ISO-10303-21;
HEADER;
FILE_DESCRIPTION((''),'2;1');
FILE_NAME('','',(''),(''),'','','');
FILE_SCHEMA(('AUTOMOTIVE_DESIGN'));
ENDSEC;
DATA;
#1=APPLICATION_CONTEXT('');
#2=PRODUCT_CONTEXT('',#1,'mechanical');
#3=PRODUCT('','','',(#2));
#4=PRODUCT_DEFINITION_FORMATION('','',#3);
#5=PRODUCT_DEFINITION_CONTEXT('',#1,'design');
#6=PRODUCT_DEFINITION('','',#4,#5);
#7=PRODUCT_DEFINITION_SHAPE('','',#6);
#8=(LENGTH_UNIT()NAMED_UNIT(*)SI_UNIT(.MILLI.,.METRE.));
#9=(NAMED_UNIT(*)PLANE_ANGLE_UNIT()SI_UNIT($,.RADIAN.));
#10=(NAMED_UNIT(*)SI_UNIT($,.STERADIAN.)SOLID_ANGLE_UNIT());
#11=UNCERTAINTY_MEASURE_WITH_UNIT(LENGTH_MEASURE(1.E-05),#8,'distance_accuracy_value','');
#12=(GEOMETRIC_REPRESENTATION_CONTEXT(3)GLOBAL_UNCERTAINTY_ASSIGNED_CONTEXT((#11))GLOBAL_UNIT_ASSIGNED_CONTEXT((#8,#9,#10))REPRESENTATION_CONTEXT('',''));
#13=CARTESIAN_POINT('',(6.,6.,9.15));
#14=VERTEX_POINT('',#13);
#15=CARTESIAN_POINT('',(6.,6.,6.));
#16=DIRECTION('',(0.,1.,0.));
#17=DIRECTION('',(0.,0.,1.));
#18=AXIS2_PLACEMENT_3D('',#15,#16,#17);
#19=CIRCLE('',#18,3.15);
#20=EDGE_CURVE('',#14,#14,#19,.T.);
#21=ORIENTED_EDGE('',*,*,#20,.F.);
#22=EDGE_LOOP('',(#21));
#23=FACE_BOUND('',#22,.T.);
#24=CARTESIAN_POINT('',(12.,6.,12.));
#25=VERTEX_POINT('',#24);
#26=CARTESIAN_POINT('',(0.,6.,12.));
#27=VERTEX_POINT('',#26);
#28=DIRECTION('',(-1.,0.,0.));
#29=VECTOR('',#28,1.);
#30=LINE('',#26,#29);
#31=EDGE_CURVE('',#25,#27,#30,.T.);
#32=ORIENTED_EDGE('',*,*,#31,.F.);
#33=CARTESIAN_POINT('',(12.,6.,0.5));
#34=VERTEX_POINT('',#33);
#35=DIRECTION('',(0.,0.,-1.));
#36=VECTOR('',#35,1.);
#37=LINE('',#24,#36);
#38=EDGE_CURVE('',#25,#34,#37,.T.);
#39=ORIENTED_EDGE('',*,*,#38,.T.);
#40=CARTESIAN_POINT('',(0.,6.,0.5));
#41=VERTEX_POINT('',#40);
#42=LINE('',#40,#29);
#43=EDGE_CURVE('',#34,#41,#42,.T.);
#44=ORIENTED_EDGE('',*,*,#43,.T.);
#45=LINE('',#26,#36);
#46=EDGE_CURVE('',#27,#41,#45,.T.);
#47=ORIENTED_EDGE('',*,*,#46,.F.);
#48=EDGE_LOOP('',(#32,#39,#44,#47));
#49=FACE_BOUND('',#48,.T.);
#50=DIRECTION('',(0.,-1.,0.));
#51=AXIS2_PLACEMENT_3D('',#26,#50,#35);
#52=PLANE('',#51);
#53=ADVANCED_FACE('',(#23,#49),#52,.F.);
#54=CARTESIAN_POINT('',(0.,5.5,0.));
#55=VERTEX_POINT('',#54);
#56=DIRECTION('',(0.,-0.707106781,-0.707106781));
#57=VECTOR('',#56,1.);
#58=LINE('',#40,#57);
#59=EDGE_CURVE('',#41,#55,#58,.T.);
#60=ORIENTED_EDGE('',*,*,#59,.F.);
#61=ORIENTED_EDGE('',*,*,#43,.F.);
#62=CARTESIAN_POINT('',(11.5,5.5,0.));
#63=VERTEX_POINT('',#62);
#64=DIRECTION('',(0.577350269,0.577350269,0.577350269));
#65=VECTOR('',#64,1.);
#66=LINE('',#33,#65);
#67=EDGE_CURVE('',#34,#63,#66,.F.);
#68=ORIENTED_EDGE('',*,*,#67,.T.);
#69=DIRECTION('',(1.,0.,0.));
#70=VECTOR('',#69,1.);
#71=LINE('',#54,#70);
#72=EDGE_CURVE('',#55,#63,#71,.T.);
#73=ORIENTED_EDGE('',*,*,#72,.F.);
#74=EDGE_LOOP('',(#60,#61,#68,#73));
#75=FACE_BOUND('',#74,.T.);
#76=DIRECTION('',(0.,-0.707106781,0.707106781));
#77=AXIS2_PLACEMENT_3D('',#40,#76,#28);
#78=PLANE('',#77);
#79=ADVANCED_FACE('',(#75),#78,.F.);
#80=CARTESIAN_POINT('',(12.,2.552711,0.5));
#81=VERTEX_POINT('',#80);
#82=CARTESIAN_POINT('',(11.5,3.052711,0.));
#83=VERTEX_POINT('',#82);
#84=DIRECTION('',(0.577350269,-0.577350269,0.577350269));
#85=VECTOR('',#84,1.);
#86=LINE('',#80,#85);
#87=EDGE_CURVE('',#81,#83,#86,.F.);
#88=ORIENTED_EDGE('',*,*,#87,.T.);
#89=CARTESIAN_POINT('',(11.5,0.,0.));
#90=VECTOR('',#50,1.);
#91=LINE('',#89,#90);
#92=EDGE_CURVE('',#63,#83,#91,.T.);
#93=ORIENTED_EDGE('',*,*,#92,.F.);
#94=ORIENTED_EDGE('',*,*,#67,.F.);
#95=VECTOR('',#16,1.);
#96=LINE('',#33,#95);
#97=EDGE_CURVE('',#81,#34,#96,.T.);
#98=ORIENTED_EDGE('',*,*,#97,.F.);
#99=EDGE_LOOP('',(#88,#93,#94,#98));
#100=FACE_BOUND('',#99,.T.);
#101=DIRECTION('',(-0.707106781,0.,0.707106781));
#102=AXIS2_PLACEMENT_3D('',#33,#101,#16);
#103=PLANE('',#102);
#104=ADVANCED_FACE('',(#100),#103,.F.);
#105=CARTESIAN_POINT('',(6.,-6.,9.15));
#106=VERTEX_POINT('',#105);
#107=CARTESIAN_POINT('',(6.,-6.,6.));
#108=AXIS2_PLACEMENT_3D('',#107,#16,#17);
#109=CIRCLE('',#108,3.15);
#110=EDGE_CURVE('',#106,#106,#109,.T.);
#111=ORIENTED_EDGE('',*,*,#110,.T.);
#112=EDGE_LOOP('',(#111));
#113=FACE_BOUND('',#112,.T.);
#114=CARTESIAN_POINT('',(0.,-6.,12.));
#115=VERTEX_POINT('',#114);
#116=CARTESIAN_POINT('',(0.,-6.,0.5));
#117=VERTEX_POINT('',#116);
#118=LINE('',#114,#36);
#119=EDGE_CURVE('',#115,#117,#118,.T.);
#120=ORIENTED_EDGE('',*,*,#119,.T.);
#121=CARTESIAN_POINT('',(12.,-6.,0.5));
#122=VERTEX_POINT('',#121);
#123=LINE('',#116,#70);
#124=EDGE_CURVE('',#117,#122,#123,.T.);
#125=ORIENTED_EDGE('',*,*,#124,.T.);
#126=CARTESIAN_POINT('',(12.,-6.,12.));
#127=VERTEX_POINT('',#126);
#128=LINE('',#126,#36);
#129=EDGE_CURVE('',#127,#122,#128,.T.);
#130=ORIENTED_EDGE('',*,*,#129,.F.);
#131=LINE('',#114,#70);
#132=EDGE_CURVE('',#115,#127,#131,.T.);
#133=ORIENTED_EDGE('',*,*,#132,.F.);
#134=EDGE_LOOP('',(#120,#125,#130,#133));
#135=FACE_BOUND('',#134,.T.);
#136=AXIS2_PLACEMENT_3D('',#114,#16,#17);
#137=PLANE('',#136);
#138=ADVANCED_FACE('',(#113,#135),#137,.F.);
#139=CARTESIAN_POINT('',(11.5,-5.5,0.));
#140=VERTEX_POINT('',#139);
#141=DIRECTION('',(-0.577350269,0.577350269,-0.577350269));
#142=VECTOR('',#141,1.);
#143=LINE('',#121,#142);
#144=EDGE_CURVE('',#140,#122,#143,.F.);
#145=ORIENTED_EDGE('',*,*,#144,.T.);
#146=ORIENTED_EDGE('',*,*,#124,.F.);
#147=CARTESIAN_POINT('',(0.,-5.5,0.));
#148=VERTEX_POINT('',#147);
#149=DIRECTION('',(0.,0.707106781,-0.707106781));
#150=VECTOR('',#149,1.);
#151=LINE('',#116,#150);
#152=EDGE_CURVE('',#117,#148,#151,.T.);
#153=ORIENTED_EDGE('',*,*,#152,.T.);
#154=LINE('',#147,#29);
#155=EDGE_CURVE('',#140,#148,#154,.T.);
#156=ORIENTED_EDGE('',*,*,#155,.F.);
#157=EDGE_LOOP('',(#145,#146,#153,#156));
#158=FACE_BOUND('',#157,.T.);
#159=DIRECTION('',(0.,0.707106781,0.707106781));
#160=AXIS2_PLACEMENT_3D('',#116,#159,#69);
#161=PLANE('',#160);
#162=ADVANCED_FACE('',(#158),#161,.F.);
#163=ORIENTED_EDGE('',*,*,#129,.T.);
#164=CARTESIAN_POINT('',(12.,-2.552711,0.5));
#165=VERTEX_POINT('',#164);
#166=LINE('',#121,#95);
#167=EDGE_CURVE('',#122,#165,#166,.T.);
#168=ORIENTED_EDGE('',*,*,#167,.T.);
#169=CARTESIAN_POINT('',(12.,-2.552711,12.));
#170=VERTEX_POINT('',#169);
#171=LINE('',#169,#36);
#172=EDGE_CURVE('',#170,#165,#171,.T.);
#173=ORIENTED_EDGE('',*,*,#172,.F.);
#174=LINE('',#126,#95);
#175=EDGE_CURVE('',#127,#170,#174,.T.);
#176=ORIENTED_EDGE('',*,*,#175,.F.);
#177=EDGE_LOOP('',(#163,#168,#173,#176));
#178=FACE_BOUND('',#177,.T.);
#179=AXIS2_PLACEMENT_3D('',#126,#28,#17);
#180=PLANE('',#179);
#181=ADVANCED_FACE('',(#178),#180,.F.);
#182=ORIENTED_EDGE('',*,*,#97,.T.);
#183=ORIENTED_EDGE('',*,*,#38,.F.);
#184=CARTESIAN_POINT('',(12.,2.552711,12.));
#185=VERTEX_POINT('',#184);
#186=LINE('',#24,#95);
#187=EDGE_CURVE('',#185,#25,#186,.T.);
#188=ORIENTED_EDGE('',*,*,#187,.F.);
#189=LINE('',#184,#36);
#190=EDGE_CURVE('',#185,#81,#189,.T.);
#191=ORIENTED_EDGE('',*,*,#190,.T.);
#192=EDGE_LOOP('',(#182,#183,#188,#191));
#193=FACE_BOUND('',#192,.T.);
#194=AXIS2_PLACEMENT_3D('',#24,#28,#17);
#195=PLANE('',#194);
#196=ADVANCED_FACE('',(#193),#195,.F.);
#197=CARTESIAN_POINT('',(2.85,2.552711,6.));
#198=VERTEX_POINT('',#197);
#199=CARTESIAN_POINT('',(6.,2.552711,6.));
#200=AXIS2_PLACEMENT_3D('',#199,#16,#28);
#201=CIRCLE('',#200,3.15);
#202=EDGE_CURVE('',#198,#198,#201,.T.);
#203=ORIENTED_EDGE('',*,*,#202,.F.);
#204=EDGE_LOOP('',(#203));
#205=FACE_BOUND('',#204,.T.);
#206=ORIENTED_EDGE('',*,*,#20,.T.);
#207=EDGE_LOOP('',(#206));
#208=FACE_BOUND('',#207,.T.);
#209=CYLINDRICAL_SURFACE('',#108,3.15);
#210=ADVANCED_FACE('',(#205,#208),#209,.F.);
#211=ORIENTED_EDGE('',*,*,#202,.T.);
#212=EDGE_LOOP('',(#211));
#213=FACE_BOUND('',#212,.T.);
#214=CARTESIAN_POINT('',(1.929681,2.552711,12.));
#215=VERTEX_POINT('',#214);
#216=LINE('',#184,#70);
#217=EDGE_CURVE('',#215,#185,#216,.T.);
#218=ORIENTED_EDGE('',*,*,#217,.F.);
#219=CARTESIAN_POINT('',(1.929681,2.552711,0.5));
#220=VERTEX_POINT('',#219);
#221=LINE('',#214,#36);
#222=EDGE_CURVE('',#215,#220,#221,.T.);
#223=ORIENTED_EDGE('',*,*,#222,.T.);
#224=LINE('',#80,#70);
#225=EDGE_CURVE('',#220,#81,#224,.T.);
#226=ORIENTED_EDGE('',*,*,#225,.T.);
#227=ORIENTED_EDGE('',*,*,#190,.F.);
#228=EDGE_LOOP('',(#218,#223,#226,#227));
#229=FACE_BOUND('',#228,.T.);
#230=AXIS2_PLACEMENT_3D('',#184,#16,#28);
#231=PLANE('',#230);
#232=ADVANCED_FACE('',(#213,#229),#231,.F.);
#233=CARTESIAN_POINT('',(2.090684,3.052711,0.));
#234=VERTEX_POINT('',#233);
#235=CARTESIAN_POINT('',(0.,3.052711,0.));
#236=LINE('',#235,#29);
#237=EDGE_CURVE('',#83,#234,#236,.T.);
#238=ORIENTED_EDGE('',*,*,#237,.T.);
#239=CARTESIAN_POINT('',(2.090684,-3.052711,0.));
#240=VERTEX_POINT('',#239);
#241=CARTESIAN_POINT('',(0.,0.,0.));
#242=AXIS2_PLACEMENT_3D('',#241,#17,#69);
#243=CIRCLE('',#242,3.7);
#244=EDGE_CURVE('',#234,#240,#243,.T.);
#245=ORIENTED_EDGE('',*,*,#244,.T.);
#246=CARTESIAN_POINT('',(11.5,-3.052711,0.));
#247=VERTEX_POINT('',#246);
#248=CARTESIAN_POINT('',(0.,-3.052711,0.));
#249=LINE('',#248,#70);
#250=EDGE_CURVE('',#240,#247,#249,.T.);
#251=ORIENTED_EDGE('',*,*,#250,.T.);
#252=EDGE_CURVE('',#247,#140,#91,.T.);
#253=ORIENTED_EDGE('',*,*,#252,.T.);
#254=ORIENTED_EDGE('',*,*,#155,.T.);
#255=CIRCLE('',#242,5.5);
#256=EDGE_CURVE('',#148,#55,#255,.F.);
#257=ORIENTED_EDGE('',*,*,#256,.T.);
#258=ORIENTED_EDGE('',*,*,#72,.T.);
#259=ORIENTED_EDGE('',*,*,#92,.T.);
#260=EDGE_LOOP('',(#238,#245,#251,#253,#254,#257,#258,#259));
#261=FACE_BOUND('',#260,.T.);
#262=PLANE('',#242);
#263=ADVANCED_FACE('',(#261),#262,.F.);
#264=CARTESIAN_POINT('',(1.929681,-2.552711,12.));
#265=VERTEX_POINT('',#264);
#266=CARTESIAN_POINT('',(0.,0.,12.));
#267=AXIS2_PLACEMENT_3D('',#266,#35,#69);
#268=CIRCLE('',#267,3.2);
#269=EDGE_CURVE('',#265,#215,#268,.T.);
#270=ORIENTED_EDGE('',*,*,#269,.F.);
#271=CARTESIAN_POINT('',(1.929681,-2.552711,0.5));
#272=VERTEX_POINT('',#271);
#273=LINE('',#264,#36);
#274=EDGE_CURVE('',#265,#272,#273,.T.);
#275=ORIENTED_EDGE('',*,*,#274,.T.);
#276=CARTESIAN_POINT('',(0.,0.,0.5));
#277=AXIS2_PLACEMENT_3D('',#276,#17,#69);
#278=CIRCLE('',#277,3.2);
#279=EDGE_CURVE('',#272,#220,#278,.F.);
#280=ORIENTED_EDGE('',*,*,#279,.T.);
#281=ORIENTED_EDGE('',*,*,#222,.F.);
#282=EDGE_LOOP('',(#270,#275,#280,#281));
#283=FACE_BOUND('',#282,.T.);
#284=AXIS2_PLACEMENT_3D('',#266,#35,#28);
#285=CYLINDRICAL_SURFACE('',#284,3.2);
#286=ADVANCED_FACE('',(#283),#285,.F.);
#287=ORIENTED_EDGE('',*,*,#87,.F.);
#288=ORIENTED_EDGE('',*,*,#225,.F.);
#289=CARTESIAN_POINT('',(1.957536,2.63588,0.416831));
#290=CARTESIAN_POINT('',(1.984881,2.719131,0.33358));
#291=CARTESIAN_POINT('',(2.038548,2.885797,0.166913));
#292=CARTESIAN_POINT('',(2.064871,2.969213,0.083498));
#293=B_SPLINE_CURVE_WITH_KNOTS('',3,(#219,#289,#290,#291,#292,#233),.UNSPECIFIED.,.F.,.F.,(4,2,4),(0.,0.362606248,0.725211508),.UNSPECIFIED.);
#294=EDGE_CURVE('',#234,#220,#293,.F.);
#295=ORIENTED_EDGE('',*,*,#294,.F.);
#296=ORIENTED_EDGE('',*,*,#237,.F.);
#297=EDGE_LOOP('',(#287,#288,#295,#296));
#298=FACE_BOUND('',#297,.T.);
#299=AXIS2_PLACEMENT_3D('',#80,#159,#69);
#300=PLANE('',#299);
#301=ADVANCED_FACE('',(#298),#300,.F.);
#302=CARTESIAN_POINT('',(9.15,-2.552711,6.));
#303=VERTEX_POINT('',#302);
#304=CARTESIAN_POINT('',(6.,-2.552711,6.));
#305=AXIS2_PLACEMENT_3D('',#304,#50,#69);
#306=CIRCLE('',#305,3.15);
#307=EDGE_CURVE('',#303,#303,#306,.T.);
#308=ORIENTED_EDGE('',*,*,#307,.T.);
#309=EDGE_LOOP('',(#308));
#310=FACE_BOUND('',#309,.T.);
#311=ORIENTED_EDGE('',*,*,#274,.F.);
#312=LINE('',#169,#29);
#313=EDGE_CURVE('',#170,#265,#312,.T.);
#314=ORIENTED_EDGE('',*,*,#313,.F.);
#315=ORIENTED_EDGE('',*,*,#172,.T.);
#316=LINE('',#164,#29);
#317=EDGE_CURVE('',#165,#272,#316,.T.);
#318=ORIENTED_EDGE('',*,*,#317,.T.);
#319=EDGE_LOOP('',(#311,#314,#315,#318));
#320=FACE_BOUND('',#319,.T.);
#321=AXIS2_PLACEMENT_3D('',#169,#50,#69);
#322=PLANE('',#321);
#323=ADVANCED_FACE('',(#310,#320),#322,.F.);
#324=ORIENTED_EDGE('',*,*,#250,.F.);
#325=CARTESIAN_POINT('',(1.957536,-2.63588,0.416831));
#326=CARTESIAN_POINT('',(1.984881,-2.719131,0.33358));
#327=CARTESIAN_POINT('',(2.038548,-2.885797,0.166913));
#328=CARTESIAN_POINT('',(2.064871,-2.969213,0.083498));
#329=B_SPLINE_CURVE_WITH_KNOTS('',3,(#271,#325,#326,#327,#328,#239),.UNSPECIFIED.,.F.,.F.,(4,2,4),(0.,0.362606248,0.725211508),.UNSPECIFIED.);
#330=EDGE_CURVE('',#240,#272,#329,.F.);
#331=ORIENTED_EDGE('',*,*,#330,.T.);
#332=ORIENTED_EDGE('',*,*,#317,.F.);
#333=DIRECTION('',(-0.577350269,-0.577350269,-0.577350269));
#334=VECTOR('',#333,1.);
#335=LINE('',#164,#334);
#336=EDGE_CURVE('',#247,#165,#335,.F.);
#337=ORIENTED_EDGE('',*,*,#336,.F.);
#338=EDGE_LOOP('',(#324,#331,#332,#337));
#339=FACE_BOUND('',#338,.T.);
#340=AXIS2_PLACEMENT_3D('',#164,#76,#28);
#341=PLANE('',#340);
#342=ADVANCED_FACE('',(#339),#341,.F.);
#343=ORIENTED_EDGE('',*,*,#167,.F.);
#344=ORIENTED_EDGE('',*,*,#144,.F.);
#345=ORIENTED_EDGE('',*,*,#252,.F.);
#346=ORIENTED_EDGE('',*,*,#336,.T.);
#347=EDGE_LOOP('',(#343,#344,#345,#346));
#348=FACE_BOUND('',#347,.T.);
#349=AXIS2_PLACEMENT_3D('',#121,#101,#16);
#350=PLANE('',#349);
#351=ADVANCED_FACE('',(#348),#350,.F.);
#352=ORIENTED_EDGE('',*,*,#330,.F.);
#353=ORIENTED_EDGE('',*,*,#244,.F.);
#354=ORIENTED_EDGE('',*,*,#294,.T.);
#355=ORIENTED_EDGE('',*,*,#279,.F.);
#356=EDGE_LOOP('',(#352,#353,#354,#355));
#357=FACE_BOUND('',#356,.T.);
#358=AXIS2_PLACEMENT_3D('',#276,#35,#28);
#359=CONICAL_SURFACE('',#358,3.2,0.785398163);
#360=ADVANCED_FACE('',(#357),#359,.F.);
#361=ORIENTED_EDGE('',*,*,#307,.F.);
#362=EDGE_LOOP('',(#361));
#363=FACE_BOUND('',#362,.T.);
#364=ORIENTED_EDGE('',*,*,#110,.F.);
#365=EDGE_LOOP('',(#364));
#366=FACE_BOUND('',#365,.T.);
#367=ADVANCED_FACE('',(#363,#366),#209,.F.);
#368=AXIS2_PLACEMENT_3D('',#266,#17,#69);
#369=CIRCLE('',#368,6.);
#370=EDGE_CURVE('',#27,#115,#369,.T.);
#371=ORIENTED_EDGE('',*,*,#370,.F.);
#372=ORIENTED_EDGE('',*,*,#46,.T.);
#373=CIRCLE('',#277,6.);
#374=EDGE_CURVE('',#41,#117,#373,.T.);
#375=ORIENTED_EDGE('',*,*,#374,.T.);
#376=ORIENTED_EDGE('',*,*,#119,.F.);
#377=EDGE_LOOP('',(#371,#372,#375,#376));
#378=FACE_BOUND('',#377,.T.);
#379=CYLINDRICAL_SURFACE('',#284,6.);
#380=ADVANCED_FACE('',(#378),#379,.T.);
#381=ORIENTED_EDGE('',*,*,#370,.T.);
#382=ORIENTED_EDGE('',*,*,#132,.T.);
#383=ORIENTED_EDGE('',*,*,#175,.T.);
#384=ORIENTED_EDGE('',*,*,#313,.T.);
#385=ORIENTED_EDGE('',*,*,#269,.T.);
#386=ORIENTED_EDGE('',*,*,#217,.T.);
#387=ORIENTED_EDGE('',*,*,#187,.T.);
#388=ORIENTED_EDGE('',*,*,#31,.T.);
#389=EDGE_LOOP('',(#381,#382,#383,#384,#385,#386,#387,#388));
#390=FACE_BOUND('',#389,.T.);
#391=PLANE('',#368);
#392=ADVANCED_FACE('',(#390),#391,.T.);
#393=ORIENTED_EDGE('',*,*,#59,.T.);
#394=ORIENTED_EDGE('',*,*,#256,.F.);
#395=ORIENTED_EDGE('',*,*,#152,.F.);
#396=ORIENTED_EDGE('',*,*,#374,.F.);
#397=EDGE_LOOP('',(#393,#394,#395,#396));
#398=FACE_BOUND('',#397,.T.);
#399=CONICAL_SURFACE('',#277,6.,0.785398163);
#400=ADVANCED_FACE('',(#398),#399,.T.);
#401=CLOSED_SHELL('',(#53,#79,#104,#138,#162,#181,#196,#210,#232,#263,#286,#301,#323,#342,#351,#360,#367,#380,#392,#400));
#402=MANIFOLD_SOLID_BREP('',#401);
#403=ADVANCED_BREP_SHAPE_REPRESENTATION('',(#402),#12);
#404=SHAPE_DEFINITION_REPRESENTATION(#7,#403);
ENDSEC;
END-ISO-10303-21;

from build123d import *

# Parameters (mm, degrees)
BOSS_EXTRUDE1_DEPTH     = 12
CUT_EXTRUDE1_DEPTH      = 19
CUT_EXTRUDE1_DEPTH_BACK = 19
SKETCH2_R               = 3.15
CHAMFER1_SIZE           = 0.5


with BuildPart() as part:
    # Sketch1 → Boss-Extrude1 (new body)
    with BuildSketch(Plane.XY):
        with BuildLine():
            Line((0, 6), (12, 6))
            Line((12, 6), (12, 2.552710574))
            Line((12, 2.552710574), (1.929680991, 2.552710574))
            ThreePointArc((1.929680991, 2.552710574), (-3.2, 0), (1.929680991, -2.552710574))
            Line((1.929680991, -2.552710574), (12, -2.552710574))
            Line((12, -2.552710574), (12, -6))
            Line((12, -6), (0, -6))
            ThreePointArc((0, -6), (-6, 0), (0, 6))
        make_face()
    extrude(amount=BOSS_EXTRUDE1_DEPTH)

    # Sketch2 → Cut-Extrude1 (cut, two sides: drawn at the far end of the back side and taken through both)
    with BuildSketch(Plane(origin=(0, 0, 0), x_dir=(1, 0, 0), z_dir=(0, 1, 0)).offset(-CUT_EXTRUDE1_DEPTH_BACK)):
        with Locations((6, -6)):
            Circle(SKETCH2_R)
    extrude(amount=CUT_EXTRUDE1_DEPTH + CUT_EXTRUDE1_DEPTH_BACK, mode=Mode.SUBTRACT)

    # Chamfer1
    chamfer1_edges = [part.edges().sort_by_distance(p)[0] for p in [
        (6.964840496, -2.552710574, 0),
        (-3.2, 0, 0),
        (6.964840496, 2.552710574, 0),
        (6, -6, 0),
        (12, -4.276355287, 0),
        (-6, 0, 0),
        (6, 6, 0),
        (12, 4.276355287, 0),
    ]]
    chamfer(chamfer1_edges, length=CHAMFER1_SIZE)


solid = part.part
